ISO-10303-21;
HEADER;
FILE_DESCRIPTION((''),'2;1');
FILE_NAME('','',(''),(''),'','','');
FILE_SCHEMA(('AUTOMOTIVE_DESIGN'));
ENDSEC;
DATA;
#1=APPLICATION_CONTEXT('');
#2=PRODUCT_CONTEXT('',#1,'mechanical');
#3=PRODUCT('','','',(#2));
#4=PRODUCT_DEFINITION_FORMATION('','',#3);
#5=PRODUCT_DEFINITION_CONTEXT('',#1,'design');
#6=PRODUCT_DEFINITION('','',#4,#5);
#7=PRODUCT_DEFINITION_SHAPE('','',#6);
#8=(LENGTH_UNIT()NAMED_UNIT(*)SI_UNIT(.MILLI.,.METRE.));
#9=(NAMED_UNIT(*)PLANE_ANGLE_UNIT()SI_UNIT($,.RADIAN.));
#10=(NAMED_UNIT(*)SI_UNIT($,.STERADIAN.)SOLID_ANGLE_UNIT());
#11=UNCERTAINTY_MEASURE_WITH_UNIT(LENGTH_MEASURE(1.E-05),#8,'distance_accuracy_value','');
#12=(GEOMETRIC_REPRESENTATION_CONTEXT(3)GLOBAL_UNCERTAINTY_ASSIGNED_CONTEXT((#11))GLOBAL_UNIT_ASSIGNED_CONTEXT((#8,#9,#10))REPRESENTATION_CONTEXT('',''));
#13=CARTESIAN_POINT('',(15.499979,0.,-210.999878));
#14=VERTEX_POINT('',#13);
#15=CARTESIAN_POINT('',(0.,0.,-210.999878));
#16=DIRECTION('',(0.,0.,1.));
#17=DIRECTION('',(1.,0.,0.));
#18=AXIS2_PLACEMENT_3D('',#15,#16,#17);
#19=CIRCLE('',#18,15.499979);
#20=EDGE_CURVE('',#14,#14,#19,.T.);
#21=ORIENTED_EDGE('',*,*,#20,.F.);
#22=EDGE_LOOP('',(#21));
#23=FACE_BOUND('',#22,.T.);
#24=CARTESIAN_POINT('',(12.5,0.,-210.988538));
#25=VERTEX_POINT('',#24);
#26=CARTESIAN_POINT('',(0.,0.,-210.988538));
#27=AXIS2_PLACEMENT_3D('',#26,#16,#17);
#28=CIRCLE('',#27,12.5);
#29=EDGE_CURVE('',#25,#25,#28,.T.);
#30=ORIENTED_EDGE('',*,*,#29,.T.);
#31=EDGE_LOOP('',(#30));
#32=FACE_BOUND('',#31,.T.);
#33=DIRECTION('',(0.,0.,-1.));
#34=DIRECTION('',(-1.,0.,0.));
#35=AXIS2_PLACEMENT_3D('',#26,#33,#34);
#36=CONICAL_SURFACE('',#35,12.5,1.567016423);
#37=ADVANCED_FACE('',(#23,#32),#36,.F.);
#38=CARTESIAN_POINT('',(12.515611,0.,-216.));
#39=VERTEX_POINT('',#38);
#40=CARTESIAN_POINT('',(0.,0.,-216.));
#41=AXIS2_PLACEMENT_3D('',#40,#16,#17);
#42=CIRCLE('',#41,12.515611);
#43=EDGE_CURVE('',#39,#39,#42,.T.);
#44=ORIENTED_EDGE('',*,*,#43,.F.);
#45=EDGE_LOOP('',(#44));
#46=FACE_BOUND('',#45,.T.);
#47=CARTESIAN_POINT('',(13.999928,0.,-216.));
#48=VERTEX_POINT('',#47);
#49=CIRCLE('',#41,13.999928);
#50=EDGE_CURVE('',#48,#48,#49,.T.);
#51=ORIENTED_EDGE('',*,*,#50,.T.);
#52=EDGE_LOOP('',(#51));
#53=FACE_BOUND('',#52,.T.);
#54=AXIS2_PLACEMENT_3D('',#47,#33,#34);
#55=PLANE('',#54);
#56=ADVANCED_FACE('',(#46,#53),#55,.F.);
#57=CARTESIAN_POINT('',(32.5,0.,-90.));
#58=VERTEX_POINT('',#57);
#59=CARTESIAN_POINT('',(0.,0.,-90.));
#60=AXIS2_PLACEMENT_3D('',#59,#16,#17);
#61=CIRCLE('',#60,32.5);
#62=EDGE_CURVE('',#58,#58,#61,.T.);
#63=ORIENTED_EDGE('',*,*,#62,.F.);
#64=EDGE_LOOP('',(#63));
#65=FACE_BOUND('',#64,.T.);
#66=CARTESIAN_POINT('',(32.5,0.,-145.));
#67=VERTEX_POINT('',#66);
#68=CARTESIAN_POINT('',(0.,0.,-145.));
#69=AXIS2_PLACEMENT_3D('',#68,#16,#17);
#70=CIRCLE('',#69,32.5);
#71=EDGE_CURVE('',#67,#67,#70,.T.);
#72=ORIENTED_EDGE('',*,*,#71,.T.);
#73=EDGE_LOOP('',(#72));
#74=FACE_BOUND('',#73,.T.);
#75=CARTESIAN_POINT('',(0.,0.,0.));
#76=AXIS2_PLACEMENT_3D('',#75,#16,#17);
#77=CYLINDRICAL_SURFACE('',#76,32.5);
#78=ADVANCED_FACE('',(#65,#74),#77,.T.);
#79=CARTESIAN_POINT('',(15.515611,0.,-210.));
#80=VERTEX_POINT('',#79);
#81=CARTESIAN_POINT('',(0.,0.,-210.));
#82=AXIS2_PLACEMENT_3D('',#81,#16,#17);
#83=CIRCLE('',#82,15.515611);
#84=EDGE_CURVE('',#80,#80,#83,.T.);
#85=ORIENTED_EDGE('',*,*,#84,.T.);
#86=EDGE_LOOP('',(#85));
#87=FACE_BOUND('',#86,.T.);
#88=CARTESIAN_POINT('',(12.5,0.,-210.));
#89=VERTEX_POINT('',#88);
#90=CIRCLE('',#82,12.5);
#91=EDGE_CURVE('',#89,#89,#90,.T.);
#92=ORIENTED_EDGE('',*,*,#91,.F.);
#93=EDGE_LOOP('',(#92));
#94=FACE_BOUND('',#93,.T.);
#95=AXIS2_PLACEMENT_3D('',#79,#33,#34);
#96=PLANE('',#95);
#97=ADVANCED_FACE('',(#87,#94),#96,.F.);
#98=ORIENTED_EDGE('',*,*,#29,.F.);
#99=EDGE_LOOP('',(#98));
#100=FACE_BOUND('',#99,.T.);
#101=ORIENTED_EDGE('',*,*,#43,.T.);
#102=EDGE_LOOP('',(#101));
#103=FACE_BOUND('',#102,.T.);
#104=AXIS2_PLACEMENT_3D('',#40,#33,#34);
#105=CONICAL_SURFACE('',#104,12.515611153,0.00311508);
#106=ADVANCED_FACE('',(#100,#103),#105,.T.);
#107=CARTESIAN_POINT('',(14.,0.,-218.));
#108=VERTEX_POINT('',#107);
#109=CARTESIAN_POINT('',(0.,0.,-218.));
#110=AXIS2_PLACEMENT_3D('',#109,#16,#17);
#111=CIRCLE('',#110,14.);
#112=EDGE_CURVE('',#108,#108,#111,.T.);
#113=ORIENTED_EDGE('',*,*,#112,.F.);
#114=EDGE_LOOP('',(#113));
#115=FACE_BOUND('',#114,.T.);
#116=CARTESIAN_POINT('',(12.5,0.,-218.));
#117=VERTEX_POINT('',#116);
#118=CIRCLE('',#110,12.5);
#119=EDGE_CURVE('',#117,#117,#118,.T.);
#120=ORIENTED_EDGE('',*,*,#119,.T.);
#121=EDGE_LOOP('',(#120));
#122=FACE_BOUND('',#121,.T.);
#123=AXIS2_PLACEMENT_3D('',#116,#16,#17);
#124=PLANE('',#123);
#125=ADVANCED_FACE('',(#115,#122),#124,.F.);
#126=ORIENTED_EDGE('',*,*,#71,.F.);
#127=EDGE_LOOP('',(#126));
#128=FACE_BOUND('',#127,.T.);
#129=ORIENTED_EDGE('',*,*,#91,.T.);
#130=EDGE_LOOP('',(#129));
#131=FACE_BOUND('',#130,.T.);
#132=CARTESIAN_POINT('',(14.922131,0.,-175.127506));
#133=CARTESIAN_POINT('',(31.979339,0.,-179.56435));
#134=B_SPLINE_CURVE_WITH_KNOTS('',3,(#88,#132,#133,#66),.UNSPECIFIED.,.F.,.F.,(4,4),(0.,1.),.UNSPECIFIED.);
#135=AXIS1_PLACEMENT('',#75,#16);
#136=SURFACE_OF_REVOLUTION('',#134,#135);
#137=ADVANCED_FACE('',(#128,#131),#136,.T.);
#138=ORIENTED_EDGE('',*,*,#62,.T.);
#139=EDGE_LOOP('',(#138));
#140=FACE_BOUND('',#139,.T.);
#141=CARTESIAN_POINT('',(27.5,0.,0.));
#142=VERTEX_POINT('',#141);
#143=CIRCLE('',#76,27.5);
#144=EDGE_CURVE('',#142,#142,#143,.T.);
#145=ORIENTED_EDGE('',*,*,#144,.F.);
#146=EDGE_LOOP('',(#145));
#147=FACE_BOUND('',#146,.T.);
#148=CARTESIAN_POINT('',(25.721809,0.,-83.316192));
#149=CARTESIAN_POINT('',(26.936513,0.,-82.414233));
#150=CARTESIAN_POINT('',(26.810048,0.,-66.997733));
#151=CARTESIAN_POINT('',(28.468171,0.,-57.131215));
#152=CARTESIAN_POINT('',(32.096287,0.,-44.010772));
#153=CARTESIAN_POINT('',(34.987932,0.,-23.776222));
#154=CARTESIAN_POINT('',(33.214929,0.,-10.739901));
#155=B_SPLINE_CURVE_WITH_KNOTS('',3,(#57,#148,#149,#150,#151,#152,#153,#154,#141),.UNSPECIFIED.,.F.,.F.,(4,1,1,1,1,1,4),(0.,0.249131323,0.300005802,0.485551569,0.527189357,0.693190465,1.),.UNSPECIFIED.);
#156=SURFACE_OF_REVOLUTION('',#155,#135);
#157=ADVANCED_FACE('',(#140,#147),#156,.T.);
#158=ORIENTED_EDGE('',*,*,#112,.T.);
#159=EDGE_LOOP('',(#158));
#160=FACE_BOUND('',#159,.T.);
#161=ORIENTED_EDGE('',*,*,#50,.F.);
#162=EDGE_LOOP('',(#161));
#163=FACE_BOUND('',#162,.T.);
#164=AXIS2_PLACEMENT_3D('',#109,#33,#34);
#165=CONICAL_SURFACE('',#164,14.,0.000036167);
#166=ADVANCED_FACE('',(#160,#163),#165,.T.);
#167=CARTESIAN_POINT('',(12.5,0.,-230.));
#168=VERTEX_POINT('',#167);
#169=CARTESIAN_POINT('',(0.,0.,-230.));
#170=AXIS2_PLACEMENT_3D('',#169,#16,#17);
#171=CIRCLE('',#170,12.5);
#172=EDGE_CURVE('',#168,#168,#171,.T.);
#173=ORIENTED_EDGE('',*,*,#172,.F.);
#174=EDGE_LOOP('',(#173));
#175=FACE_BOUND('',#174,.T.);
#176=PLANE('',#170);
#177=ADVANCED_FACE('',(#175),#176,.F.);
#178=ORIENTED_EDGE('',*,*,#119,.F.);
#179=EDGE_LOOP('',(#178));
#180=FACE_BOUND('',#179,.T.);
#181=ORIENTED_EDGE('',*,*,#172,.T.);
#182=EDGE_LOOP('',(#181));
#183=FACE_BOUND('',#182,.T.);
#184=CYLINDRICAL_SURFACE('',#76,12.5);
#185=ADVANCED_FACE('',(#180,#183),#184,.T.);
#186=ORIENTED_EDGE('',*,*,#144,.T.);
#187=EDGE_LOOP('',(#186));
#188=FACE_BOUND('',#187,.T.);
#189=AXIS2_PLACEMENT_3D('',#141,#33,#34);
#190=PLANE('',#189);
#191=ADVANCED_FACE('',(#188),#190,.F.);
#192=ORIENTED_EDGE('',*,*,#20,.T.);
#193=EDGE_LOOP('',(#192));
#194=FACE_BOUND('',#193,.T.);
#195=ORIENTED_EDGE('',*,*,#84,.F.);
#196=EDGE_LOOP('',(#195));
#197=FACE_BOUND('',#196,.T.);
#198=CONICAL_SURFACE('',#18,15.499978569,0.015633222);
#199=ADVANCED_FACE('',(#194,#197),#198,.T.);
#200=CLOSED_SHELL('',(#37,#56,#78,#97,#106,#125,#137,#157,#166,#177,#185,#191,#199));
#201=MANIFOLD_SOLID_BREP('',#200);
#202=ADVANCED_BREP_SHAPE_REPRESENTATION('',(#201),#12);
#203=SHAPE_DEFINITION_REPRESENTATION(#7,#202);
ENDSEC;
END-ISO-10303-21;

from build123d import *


with BuildPart() as part:
    # Sketch1 → Revolve3 (revolve)
    with BuildSketch(Plane(origin=(0, 0, 0), x_dir=(1, 0, 0), z_dir=(0, 1, 0))):
        with BuildLine():
            Line((0, 0), (0, 230))
            Line((0, 230), (12.5, 230))
            Line((12.5, 230), (12.5, 218))
            Line((12.5, 218), (14, 217.999999999))
            Line((14, 217.999999999), (13.999927666, 216))
            Line((13.999927666, 216), (12.515611153, 216))
            Line((12.515611153, 216), (12.5, 210.98853812))
            Line((12.5, 210.98853812), (15.499978569, 210.999877804))
            Line((15.499978569, 210.999877804), (15.515611153, 210))
            Line((15.515611153, 210), (12.5, 210))
            add(Edge.make_bspline(
                [(12.5, 210), (14.922130771, 175.127506462), (31.979338754, 179.564350306), (32.5, 145)],
                knots=[0, 0, 0, 0, 1, 1, 1, 1], degree=3))
            Line((32.5, 145), (32.5, 90))
            add(Edge.make_bspline(
                [(32.5, 90), (25.721809169, 83.316192042), (26.936513276, 82.414233108), (26.810048481, 66.997733089), (28.46817148, 57.131214713), (32.096286638, 44.010772021), (34.987931681, 23.776222362), (33.214929298, 10.739901), (27.5, 0)],
                knots=[0, 0, 0, 0, 0.249131323, 0.300005802, 0.485551569, 0.527189357, 0.693190465, 1, 1, 1, 1], degree=3))
            Line((27.5, 0), (0, 0))
        make_face()
    revolve(axis=Axis((0, 0, 0), (0, 0, -1)))


solid = part.part
